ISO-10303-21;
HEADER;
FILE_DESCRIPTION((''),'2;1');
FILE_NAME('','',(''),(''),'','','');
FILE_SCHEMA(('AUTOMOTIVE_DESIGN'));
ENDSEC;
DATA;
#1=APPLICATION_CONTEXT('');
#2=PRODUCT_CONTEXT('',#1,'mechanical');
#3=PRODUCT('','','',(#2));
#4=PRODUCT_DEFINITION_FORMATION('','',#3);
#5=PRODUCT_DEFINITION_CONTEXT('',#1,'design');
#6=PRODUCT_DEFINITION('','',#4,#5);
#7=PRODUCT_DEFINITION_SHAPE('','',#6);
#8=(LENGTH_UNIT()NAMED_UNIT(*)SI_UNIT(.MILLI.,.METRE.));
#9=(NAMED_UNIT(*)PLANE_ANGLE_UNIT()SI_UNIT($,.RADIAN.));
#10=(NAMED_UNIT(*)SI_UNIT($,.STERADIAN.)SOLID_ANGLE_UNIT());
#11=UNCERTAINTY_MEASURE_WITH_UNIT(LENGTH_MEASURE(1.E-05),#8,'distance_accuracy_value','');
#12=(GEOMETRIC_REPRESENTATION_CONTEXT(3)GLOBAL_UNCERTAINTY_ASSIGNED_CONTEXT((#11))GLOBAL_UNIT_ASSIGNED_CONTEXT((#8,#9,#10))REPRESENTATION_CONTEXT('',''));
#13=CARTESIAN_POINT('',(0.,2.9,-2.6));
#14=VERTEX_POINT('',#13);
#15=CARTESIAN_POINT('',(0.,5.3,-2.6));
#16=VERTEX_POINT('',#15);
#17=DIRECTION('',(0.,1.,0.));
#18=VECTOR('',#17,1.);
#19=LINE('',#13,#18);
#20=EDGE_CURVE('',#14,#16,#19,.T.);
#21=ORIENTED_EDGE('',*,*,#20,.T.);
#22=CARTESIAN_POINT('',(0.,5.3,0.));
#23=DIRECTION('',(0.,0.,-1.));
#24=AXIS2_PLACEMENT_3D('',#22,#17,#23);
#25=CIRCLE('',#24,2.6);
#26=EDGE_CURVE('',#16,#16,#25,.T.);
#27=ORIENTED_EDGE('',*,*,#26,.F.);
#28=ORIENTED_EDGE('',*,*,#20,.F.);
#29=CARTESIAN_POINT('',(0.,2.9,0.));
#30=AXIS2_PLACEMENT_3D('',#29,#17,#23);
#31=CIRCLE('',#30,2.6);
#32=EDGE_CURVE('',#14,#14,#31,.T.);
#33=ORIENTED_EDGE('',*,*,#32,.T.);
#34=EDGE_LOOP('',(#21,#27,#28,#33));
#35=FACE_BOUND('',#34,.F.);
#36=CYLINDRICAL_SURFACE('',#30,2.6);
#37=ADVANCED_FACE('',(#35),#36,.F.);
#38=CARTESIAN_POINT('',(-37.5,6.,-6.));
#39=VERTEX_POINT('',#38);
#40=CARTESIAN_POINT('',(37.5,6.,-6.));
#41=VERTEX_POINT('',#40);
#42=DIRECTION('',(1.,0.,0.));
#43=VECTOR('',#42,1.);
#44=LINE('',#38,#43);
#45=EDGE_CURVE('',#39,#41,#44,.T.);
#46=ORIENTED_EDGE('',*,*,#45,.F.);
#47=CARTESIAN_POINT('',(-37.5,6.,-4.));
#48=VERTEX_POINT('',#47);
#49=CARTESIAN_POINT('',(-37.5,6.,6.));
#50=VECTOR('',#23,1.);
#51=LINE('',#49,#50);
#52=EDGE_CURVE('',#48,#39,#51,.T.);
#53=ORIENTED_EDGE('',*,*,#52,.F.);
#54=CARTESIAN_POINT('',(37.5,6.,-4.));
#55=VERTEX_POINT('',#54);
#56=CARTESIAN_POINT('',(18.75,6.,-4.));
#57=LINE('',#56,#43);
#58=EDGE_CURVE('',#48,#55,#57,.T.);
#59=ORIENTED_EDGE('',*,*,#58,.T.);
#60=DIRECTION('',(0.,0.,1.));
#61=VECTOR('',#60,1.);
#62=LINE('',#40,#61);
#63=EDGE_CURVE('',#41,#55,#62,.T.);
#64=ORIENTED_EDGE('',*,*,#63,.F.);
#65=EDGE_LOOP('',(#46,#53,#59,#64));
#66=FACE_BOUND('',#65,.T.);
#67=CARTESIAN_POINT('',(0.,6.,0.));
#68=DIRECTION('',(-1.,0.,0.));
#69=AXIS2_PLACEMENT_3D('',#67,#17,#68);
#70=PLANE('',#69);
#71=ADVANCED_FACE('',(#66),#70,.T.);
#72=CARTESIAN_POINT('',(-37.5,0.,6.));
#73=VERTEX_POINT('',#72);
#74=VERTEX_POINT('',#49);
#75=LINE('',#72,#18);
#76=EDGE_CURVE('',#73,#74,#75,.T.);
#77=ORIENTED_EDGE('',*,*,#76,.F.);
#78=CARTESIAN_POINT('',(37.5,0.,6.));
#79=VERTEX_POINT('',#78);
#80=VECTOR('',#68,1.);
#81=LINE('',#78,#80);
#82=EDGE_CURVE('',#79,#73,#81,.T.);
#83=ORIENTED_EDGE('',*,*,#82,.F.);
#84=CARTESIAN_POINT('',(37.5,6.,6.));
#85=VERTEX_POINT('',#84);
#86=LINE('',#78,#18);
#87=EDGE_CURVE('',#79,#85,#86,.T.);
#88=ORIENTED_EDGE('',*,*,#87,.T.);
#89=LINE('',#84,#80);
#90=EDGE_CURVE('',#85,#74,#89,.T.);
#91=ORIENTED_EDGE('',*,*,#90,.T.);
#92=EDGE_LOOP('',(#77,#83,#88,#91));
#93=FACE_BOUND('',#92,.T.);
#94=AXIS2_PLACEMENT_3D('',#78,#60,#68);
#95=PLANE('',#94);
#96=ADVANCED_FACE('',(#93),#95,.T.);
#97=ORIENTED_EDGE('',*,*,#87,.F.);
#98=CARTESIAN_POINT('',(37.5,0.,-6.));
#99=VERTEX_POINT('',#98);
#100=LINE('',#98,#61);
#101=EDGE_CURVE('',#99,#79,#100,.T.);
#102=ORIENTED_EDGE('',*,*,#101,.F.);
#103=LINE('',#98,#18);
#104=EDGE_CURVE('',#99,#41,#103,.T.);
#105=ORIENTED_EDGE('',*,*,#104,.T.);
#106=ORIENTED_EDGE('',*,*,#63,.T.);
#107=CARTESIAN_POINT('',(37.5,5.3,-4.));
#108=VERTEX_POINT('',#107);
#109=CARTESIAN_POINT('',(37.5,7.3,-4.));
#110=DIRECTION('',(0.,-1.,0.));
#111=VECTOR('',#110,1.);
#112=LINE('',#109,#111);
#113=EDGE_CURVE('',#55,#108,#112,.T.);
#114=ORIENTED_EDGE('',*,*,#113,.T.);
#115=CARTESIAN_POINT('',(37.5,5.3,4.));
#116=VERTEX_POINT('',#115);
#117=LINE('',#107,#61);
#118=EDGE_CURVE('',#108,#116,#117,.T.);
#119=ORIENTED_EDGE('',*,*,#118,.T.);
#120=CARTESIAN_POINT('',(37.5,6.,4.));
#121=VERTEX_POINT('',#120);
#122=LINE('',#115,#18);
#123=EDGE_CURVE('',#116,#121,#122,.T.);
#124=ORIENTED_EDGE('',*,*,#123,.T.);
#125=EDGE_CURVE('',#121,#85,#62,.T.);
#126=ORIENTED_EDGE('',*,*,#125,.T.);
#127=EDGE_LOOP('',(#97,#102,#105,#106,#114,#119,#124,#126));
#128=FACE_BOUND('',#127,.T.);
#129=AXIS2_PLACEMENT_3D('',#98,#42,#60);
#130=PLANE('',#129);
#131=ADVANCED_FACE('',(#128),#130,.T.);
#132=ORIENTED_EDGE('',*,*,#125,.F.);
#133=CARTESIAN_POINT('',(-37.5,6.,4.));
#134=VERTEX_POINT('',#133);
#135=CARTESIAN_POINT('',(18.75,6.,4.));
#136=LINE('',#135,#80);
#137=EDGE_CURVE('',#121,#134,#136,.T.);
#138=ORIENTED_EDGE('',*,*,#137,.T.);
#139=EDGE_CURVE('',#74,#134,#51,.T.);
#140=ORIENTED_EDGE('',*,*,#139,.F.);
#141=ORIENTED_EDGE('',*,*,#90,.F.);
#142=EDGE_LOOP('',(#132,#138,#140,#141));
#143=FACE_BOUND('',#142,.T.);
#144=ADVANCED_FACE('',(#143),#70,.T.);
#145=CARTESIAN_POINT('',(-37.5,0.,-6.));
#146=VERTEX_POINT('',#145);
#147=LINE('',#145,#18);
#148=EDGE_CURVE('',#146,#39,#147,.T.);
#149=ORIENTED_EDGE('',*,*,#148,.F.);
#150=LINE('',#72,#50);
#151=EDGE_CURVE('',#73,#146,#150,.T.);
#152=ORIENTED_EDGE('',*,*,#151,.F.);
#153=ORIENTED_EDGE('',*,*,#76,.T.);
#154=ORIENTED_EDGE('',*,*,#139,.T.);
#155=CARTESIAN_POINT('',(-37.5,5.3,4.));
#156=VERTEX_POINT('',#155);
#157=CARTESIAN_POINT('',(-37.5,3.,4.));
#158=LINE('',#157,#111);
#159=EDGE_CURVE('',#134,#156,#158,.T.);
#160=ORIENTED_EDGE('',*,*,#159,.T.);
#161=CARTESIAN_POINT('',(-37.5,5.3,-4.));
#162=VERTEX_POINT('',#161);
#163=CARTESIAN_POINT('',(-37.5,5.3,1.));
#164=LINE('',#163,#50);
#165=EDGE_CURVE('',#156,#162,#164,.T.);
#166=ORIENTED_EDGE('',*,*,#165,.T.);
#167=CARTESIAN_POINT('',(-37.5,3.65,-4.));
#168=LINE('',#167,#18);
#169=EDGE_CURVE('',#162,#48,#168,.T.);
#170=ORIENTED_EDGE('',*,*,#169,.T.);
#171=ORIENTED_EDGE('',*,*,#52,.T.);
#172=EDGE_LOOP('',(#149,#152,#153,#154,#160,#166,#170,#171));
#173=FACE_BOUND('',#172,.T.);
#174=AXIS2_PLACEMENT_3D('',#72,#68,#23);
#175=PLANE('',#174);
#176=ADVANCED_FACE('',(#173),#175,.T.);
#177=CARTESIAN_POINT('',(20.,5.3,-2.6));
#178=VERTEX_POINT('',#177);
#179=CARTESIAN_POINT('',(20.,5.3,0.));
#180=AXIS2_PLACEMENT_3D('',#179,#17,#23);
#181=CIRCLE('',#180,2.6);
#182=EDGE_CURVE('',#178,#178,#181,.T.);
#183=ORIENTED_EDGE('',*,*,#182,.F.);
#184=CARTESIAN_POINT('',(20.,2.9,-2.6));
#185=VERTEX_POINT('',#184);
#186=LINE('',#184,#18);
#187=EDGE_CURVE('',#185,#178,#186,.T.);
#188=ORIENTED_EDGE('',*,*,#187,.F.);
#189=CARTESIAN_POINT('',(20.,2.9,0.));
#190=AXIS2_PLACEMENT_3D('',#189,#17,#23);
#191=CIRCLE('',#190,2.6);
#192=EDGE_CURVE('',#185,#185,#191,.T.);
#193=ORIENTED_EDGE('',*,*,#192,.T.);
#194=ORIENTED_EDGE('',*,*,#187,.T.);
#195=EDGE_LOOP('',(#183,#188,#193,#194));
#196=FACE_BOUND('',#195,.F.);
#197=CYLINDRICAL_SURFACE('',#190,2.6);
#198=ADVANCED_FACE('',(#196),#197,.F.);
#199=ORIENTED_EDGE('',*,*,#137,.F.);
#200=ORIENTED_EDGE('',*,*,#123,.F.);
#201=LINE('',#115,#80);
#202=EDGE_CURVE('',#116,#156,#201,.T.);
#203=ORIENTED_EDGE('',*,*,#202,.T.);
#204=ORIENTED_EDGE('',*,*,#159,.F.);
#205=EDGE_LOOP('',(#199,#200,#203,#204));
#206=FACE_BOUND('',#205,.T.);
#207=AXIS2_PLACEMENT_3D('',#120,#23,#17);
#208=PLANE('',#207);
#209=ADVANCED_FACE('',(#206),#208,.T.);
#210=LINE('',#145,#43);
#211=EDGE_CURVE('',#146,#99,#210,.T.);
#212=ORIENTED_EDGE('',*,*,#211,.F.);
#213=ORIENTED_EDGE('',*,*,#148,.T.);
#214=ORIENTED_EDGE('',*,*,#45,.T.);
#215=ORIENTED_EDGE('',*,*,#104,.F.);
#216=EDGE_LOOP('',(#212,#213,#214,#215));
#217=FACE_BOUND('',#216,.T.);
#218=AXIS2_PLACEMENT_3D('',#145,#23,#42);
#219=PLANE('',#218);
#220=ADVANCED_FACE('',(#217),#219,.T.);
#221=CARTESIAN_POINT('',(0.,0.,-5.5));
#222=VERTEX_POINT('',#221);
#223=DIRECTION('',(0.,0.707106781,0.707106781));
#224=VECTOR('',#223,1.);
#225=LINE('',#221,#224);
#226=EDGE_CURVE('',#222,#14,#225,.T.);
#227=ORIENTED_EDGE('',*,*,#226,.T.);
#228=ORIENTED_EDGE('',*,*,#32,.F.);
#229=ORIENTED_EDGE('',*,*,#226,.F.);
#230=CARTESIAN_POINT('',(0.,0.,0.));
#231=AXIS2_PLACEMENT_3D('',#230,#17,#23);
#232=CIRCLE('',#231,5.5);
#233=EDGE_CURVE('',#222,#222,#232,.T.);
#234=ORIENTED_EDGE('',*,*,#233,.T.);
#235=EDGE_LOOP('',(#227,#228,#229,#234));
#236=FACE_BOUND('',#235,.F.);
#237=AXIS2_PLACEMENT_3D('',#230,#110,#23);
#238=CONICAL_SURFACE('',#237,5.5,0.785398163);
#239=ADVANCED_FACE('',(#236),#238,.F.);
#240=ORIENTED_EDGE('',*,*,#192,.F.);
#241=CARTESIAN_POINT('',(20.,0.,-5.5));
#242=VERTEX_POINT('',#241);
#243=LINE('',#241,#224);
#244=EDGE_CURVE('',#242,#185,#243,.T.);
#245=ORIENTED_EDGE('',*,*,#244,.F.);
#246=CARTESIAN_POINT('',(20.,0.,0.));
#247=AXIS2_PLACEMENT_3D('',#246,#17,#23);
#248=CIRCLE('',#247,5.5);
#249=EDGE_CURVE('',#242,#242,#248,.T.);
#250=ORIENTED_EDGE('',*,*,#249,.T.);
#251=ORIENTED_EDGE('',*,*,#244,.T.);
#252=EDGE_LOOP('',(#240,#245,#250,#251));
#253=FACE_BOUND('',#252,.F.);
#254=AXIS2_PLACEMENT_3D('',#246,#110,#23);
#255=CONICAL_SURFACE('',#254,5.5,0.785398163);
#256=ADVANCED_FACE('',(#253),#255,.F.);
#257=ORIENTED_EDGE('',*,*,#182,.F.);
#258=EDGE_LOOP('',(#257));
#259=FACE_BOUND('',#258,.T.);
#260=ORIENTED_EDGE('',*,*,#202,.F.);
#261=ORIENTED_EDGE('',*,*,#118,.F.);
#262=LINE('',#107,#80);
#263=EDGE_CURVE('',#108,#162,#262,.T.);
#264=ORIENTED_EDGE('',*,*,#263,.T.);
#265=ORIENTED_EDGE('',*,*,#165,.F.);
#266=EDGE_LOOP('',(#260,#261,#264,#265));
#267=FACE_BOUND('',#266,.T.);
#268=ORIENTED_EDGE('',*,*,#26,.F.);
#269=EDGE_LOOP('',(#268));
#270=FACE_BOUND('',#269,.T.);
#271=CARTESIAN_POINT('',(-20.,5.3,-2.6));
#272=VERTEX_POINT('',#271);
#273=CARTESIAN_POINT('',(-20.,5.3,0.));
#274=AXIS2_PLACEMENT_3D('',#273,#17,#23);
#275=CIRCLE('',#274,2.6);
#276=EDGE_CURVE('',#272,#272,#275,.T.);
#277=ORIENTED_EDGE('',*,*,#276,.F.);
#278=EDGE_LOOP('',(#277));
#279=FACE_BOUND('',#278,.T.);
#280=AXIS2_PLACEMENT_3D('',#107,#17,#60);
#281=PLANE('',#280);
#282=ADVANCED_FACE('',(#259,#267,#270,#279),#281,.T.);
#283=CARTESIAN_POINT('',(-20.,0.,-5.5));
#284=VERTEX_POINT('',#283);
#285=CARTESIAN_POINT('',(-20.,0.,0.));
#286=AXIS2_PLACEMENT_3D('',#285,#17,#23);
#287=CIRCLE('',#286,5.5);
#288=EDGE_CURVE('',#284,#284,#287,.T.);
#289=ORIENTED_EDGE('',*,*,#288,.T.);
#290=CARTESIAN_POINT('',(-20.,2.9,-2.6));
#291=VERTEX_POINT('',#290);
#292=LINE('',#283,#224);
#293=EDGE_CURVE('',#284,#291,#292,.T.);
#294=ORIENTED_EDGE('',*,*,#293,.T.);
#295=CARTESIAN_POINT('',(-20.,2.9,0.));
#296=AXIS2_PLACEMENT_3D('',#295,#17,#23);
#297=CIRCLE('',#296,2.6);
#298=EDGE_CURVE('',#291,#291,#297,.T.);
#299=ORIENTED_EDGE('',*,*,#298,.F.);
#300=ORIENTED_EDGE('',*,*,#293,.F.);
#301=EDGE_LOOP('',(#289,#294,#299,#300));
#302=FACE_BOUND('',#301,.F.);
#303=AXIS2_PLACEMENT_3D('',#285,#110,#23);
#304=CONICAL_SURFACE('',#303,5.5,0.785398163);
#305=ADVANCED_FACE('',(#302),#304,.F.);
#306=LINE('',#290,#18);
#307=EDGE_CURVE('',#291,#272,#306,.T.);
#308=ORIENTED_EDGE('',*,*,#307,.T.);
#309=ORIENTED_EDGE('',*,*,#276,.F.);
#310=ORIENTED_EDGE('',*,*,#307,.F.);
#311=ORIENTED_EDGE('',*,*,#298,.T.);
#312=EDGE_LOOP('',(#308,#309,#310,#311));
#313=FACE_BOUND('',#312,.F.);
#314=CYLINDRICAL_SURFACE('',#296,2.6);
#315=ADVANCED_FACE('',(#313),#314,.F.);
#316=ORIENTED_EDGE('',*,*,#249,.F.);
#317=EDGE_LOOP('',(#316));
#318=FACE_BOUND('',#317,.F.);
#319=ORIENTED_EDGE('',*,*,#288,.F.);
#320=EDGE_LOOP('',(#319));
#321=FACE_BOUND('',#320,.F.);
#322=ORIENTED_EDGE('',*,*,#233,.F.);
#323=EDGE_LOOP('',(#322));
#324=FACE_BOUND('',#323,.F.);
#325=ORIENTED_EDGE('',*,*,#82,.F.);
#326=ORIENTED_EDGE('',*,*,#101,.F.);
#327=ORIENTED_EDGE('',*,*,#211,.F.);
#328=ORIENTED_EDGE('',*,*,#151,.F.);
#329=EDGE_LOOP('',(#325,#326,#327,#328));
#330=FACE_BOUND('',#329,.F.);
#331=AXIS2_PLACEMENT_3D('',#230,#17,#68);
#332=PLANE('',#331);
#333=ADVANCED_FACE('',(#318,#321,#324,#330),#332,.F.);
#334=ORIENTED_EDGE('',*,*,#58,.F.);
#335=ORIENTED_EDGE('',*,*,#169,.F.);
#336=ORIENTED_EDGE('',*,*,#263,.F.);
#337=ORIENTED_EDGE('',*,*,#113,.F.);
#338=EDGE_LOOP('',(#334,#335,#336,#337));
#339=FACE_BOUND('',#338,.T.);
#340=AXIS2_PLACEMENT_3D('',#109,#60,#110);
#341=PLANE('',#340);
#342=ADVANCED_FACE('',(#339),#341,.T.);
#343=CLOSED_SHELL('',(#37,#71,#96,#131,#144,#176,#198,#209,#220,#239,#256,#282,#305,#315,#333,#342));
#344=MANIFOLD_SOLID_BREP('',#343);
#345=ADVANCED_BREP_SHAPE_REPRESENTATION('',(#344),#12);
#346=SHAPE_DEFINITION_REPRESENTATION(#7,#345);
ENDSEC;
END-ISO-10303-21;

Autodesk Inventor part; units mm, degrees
ref_plane "YZ Plane" through (0, 0, 0) normal (1, 0, 0) x (0, 1, 0)
ref_plane "XZ Plane" through (0, 0, 0) normal (0, 1, 0) x (-1, 0, 0)
ref_plane "XY Plane" through (0, 0, 0) normal (0, 0, 1) x (1, 0, 0)
sketch "Body Outline" plane through (0, 0, 0) normal (0, 1, 0) x (-1, 0, 0)
  line L0 (37.5, -6) -> (-37.5, -6)
  line L1 (-37.5, -6) -> (-37.5, 6)
  line L2 (-37.5, 6) -> (37.5, 6)
  line L3 (37.5, 6) -> (37.5, -6)
  point P0 (0, 0)
  dimension "d0" = 75
  dimension "d1" = 37.5
  dimension "d2" = 12
  dimension "d3" = 6
extrude "Body" add sketch "Body Outline" along normal blind 6
sketch "Clamp Cutout Outline" plane through (37.5, 0, 6) normal (1, 0, 0) x (0, 0, -1)
  line L0 (2, 7.3) -> (10, 7.3)
  line L1 (10, 7.3) -> (10, 5.3)
  line L2 (10, 5.3) -> (2, 5.3)
  line L3 (2, 5.3) -> (2, 7.3)
  line L4 (0, 6) -> (12, 6) projected
  line L5 (0, 0) -> (0, 6) projected
  line L6 (12, 0) -> (12, 6) projected
  point P0 (6, 0)
  dimension "d6" = 0.7
  dimension "d7" = 2
  dimension "d8" = 2
  dimension "d9" = 2
extrude "Clamp Cutout" cut sketch "Clamp Cutout Outline" along normal through all both and the other way through all
sketch "Fastening Hole Positions" plane through (0, 0, 0) normal (0, -1, 0) x (1, 0, 0)
  point P0 (0, 0)
  point P1 (20, 0)
  point P2 (0, 0)
  point P3 (-20, 0)
  dimension "d12" = 20
  dimension "d13" = 20
  dimension "d14" = 0
  dimension "d15" = 0
  dimension "d16" = 0
  dimension "d17" = 0
hole "Fastening Holes" at (20, 0, 0) at (0, 0, 0) at (-20, 0, 0) direction (0, 1, 0) diameter 5.2 end through all countersink diameter 11 countersink angle 90
equation "\"d1\" = 0.5 * d0"
equation "\"d3\" = 0.5 * d2"
equation "\"d8\" = d7"
properties part number "LR Small Clamp" material "Aluminum 6061"
